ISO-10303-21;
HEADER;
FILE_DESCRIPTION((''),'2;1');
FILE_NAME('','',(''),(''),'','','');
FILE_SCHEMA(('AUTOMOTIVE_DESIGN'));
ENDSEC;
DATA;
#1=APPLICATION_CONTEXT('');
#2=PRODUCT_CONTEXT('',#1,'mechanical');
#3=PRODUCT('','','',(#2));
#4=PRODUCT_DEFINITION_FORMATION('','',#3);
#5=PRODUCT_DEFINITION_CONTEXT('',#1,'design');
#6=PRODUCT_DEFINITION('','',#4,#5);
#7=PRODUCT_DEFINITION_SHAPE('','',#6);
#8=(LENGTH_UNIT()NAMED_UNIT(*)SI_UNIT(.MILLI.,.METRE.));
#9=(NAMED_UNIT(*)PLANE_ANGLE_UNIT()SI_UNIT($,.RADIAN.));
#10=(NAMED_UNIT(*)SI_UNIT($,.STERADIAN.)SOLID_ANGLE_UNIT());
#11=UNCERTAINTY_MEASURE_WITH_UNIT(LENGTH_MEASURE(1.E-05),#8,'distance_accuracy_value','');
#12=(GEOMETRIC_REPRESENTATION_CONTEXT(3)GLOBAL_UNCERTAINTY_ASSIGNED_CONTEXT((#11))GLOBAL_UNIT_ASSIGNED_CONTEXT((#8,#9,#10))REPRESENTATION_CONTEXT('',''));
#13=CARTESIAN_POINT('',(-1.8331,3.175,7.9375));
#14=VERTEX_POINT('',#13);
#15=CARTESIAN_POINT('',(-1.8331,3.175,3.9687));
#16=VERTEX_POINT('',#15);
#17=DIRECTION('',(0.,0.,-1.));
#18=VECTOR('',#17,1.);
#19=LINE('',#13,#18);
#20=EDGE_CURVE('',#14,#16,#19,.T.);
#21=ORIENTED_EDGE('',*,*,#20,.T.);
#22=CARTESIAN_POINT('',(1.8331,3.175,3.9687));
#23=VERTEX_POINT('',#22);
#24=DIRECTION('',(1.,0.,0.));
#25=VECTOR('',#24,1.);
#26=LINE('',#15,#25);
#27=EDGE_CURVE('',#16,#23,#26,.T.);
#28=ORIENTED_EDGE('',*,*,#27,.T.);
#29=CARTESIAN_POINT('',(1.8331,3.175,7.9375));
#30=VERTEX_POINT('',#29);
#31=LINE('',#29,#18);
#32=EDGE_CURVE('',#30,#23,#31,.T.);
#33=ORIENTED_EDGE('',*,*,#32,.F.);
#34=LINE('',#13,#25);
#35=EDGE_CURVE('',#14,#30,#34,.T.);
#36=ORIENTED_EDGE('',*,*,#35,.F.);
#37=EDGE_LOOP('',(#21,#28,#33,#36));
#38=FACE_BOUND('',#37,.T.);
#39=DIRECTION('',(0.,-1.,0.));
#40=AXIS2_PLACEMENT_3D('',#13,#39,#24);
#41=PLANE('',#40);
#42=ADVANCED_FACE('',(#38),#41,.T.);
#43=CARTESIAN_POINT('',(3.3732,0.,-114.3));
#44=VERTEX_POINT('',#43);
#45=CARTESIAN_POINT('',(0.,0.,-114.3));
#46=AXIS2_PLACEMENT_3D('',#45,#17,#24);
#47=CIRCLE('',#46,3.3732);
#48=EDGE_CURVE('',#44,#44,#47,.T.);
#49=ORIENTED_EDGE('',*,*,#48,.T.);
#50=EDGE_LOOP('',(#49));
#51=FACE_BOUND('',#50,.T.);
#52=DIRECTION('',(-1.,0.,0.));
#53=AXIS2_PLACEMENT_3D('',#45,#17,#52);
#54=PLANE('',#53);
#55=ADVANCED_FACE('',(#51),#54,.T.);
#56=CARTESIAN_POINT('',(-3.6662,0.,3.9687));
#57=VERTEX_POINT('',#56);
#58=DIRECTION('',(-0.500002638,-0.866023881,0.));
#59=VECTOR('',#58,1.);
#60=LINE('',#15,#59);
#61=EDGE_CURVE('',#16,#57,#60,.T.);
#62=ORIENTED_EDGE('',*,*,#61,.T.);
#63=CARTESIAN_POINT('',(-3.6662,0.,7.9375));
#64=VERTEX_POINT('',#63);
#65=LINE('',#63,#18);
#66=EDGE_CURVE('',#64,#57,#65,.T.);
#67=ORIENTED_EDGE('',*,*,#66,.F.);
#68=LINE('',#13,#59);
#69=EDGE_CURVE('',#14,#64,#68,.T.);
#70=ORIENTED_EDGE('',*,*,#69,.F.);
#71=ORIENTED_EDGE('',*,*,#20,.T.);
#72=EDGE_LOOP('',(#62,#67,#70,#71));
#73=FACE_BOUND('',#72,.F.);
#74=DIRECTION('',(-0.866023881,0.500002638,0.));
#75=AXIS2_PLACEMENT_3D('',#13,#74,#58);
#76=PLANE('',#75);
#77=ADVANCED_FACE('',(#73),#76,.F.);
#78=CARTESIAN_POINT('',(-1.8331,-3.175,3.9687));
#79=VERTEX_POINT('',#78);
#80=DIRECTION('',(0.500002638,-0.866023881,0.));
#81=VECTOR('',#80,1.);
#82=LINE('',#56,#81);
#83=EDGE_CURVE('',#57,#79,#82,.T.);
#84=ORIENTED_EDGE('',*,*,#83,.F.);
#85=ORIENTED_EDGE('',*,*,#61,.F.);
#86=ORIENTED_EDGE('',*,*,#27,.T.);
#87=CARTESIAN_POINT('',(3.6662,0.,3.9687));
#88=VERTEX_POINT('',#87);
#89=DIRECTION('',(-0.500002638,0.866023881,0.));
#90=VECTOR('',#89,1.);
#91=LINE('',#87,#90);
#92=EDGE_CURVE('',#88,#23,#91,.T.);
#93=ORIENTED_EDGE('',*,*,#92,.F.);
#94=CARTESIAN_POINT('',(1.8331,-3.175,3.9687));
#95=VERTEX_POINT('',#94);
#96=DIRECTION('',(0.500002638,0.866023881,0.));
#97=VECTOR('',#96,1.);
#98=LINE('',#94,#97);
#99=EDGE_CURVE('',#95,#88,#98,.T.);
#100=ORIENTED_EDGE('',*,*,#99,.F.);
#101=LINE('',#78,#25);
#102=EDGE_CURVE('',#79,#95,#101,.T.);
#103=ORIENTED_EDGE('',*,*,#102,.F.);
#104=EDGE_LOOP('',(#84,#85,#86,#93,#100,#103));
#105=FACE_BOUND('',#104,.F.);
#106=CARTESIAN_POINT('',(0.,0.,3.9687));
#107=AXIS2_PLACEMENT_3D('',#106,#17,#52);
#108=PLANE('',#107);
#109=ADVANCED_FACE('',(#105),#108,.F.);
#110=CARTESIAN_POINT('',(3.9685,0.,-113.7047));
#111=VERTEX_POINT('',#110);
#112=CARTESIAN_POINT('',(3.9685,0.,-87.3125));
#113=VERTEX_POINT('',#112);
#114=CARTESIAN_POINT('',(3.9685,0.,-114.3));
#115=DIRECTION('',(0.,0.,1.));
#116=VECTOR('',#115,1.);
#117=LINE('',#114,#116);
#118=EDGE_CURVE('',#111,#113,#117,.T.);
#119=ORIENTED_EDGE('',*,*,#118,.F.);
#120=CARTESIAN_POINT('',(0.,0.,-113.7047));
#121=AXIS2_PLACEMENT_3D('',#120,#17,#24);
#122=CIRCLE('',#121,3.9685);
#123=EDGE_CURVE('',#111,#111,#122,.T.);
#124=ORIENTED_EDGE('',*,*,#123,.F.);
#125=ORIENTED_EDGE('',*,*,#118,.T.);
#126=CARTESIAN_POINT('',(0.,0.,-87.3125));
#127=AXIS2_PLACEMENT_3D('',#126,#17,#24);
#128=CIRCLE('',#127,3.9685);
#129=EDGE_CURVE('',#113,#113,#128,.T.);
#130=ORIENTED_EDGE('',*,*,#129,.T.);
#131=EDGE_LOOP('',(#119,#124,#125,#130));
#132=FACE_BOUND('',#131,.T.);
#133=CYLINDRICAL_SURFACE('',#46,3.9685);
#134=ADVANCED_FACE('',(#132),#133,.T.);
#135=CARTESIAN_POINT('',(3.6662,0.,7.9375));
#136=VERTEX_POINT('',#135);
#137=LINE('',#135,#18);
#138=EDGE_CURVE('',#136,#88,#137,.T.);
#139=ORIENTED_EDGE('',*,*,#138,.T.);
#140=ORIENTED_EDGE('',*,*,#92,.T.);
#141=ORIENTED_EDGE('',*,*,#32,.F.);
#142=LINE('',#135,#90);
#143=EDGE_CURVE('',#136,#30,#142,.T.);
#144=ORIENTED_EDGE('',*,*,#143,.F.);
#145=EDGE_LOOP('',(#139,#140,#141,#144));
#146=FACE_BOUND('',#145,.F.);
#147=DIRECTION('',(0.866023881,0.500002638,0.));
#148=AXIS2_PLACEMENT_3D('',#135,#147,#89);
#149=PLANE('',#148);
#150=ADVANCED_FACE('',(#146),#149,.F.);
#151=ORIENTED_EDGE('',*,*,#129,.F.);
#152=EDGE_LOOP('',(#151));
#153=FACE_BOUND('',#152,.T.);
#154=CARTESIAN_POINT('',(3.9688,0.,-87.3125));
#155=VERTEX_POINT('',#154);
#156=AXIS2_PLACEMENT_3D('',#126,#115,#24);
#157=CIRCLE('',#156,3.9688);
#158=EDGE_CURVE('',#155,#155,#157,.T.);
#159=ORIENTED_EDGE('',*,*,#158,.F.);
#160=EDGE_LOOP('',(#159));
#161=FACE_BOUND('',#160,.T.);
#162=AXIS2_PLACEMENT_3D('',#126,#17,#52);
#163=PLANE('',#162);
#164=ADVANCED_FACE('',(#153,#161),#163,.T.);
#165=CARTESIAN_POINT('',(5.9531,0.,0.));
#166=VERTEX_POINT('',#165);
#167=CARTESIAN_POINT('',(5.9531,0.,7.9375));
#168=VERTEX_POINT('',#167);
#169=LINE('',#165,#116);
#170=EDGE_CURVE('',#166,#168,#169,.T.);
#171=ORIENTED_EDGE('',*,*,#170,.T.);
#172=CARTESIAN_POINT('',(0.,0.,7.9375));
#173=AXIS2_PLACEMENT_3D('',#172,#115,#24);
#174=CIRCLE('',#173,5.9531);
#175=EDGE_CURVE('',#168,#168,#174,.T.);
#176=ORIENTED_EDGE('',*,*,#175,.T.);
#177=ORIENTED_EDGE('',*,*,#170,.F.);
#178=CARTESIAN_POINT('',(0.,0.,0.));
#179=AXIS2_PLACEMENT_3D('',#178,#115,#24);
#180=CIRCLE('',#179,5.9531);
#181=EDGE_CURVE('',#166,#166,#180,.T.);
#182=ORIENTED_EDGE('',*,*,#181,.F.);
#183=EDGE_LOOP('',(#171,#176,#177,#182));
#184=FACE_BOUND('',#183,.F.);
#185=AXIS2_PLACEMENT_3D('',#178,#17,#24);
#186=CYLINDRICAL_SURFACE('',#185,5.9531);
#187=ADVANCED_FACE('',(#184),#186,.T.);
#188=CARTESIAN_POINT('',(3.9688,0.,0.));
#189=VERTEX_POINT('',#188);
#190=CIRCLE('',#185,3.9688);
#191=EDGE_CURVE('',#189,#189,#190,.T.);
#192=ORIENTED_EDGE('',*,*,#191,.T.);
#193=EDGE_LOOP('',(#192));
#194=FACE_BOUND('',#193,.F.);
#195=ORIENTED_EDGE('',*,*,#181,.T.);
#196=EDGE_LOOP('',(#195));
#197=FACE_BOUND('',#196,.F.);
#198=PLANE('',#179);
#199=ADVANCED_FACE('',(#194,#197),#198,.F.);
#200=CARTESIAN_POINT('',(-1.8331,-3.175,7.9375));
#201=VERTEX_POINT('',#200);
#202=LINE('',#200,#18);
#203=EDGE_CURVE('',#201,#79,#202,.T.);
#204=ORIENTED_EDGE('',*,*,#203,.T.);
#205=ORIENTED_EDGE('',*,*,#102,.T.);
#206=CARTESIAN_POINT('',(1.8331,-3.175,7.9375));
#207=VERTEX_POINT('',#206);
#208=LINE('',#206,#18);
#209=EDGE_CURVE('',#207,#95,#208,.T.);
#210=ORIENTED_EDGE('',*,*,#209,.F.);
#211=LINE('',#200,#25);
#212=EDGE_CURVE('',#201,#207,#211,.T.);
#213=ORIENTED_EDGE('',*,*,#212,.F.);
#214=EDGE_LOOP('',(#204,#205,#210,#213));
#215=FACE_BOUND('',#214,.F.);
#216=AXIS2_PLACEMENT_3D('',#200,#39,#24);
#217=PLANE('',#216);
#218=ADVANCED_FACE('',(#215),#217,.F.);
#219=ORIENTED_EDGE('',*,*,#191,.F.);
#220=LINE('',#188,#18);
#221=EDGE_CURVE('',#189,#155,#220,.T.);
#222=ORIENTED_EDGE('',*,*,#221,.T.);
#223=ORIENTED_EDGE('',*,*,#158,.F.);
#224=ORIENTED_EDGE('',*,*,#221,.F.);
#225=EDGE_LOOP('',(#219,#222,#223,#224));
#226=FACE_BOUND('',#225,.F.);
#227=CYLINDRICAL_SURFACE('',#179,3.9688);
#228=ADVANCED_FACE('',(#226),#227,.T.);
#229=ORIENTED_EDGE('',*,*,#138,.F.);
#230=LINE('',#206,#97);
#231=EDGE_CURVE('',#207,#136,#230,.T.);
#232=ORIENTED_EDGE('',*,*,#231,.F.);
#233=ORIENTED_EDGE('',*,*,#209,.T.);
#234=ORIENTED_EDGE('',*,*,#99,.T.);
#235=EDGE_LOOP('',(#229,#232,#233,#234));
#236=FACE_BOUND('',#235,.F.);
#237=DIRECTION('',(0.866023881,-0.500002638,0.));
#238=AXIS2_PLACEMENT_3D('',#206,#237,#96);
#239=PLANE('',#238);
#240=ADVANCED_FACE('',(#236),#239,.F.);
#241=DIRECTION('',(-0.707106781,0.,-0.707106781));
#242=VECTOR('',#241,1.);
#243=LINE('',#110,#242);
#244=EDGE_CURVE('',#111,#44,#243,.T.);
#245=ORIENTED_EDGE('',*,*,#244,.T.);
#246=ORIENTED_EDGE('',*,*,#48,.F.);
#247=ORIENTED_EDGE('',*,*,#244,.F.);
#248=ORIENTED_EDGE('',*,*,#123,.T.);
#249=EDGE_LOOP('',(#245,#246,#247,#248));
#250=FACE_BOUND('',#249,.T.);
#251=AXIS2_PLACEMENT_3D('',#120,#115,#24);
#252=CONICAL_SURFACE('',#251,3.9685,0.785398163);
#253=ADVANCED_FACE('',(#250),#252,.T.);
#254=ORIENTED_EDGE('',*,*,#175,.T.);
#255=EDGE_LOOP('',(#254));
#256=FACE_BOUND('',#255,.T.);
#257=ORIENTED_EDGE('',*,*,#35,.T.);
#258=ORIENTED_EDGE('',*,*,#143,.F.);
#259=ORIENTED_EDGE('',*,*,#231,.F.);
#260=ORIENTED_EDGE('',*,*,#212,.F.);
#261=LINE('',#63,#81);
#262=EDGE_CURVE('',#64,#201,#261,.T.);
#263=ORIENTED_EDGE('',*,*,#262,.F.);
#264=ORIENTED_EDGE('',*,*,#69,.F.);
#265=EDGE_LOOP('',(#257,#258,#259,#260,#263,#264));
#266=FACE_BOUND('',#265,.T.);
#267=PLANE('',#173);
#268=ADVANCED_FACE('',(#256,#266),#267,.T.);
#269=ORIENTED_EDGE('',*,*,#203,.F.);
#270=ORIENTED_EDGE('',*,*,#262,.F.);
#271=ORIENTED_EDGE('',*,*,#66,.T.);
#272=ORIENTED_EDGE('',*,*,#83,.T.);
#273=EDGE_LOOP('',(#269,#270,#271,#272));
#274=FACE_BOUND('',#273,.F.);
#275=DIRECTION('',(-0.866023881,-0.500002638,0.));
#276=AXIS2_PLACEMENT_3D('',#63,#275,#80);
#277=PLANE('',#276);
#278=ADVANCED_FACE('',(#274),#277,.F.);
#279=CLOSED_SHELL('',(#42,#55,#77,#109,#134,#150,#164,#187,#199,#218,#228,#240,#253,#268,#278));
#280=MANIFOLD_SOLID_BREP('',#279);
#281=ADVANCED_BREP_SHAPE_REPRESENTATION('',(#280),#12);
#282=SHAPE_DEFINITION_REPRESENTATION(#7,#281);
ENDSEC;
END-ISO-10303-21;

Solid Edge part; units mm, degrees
sketch "Sketch1" plane through (0, 0, 0) normal (0, 0, 1) x (1, 0, 0)
  circle A0 centre (0, 0) radius 5.9531
  dimension "D1" = 11.9062
extrude "Protrusion1" add sketch "Sketch1" along normal blind 7.9375
sketch "Sketch2" plane through (0, 0, 0) normal (0, 0, -1) x (1, 0, 0)
  circle A0 centre (0, 0) radius 3.9688
extrude "Protrusion2" add sketch "Sketch2" along normal blind 114.3
sketch "Sketch3" plane through (0, 0, -114.3) normal (0, 0, -1) x (1, 0, 0)
  circle A0 centre (0, 0) radius 3.9685
extrude "Cutout1" cut sketch "Sketch3" against normal blind 26.9875 flip side to cut
chamfer "Chamfer_1" distance 0.5953 angle 45 1 edges at (-3.9685, 0, -114.3)
sketch "Sketch4" plane through (0, 0, 7.9375) normal (0, 0, 1) x (1, 0, 0)
  line L0 (-1.8331, 3.175) -> (1.8331, 3.175)
  line L1 (3.6662, 0) -> (1.8331, 3.175)
  line L2 (1.8331, -3.175) -> (3.6662, 0)
  line L3 (-1.8331, -3.175) -> (1.8331, -3.175)
  line L4 (-3.6662, 0) -> (-1.8331, -3.175)
  line L5 (-1.8331, 3.175) -> (-3.6662, 0)
  dimension "D1" = 6.35
extrude "Cutout2" cut sketch "Sketch4" against normal blind 3.9688
properties part number "24102432"
